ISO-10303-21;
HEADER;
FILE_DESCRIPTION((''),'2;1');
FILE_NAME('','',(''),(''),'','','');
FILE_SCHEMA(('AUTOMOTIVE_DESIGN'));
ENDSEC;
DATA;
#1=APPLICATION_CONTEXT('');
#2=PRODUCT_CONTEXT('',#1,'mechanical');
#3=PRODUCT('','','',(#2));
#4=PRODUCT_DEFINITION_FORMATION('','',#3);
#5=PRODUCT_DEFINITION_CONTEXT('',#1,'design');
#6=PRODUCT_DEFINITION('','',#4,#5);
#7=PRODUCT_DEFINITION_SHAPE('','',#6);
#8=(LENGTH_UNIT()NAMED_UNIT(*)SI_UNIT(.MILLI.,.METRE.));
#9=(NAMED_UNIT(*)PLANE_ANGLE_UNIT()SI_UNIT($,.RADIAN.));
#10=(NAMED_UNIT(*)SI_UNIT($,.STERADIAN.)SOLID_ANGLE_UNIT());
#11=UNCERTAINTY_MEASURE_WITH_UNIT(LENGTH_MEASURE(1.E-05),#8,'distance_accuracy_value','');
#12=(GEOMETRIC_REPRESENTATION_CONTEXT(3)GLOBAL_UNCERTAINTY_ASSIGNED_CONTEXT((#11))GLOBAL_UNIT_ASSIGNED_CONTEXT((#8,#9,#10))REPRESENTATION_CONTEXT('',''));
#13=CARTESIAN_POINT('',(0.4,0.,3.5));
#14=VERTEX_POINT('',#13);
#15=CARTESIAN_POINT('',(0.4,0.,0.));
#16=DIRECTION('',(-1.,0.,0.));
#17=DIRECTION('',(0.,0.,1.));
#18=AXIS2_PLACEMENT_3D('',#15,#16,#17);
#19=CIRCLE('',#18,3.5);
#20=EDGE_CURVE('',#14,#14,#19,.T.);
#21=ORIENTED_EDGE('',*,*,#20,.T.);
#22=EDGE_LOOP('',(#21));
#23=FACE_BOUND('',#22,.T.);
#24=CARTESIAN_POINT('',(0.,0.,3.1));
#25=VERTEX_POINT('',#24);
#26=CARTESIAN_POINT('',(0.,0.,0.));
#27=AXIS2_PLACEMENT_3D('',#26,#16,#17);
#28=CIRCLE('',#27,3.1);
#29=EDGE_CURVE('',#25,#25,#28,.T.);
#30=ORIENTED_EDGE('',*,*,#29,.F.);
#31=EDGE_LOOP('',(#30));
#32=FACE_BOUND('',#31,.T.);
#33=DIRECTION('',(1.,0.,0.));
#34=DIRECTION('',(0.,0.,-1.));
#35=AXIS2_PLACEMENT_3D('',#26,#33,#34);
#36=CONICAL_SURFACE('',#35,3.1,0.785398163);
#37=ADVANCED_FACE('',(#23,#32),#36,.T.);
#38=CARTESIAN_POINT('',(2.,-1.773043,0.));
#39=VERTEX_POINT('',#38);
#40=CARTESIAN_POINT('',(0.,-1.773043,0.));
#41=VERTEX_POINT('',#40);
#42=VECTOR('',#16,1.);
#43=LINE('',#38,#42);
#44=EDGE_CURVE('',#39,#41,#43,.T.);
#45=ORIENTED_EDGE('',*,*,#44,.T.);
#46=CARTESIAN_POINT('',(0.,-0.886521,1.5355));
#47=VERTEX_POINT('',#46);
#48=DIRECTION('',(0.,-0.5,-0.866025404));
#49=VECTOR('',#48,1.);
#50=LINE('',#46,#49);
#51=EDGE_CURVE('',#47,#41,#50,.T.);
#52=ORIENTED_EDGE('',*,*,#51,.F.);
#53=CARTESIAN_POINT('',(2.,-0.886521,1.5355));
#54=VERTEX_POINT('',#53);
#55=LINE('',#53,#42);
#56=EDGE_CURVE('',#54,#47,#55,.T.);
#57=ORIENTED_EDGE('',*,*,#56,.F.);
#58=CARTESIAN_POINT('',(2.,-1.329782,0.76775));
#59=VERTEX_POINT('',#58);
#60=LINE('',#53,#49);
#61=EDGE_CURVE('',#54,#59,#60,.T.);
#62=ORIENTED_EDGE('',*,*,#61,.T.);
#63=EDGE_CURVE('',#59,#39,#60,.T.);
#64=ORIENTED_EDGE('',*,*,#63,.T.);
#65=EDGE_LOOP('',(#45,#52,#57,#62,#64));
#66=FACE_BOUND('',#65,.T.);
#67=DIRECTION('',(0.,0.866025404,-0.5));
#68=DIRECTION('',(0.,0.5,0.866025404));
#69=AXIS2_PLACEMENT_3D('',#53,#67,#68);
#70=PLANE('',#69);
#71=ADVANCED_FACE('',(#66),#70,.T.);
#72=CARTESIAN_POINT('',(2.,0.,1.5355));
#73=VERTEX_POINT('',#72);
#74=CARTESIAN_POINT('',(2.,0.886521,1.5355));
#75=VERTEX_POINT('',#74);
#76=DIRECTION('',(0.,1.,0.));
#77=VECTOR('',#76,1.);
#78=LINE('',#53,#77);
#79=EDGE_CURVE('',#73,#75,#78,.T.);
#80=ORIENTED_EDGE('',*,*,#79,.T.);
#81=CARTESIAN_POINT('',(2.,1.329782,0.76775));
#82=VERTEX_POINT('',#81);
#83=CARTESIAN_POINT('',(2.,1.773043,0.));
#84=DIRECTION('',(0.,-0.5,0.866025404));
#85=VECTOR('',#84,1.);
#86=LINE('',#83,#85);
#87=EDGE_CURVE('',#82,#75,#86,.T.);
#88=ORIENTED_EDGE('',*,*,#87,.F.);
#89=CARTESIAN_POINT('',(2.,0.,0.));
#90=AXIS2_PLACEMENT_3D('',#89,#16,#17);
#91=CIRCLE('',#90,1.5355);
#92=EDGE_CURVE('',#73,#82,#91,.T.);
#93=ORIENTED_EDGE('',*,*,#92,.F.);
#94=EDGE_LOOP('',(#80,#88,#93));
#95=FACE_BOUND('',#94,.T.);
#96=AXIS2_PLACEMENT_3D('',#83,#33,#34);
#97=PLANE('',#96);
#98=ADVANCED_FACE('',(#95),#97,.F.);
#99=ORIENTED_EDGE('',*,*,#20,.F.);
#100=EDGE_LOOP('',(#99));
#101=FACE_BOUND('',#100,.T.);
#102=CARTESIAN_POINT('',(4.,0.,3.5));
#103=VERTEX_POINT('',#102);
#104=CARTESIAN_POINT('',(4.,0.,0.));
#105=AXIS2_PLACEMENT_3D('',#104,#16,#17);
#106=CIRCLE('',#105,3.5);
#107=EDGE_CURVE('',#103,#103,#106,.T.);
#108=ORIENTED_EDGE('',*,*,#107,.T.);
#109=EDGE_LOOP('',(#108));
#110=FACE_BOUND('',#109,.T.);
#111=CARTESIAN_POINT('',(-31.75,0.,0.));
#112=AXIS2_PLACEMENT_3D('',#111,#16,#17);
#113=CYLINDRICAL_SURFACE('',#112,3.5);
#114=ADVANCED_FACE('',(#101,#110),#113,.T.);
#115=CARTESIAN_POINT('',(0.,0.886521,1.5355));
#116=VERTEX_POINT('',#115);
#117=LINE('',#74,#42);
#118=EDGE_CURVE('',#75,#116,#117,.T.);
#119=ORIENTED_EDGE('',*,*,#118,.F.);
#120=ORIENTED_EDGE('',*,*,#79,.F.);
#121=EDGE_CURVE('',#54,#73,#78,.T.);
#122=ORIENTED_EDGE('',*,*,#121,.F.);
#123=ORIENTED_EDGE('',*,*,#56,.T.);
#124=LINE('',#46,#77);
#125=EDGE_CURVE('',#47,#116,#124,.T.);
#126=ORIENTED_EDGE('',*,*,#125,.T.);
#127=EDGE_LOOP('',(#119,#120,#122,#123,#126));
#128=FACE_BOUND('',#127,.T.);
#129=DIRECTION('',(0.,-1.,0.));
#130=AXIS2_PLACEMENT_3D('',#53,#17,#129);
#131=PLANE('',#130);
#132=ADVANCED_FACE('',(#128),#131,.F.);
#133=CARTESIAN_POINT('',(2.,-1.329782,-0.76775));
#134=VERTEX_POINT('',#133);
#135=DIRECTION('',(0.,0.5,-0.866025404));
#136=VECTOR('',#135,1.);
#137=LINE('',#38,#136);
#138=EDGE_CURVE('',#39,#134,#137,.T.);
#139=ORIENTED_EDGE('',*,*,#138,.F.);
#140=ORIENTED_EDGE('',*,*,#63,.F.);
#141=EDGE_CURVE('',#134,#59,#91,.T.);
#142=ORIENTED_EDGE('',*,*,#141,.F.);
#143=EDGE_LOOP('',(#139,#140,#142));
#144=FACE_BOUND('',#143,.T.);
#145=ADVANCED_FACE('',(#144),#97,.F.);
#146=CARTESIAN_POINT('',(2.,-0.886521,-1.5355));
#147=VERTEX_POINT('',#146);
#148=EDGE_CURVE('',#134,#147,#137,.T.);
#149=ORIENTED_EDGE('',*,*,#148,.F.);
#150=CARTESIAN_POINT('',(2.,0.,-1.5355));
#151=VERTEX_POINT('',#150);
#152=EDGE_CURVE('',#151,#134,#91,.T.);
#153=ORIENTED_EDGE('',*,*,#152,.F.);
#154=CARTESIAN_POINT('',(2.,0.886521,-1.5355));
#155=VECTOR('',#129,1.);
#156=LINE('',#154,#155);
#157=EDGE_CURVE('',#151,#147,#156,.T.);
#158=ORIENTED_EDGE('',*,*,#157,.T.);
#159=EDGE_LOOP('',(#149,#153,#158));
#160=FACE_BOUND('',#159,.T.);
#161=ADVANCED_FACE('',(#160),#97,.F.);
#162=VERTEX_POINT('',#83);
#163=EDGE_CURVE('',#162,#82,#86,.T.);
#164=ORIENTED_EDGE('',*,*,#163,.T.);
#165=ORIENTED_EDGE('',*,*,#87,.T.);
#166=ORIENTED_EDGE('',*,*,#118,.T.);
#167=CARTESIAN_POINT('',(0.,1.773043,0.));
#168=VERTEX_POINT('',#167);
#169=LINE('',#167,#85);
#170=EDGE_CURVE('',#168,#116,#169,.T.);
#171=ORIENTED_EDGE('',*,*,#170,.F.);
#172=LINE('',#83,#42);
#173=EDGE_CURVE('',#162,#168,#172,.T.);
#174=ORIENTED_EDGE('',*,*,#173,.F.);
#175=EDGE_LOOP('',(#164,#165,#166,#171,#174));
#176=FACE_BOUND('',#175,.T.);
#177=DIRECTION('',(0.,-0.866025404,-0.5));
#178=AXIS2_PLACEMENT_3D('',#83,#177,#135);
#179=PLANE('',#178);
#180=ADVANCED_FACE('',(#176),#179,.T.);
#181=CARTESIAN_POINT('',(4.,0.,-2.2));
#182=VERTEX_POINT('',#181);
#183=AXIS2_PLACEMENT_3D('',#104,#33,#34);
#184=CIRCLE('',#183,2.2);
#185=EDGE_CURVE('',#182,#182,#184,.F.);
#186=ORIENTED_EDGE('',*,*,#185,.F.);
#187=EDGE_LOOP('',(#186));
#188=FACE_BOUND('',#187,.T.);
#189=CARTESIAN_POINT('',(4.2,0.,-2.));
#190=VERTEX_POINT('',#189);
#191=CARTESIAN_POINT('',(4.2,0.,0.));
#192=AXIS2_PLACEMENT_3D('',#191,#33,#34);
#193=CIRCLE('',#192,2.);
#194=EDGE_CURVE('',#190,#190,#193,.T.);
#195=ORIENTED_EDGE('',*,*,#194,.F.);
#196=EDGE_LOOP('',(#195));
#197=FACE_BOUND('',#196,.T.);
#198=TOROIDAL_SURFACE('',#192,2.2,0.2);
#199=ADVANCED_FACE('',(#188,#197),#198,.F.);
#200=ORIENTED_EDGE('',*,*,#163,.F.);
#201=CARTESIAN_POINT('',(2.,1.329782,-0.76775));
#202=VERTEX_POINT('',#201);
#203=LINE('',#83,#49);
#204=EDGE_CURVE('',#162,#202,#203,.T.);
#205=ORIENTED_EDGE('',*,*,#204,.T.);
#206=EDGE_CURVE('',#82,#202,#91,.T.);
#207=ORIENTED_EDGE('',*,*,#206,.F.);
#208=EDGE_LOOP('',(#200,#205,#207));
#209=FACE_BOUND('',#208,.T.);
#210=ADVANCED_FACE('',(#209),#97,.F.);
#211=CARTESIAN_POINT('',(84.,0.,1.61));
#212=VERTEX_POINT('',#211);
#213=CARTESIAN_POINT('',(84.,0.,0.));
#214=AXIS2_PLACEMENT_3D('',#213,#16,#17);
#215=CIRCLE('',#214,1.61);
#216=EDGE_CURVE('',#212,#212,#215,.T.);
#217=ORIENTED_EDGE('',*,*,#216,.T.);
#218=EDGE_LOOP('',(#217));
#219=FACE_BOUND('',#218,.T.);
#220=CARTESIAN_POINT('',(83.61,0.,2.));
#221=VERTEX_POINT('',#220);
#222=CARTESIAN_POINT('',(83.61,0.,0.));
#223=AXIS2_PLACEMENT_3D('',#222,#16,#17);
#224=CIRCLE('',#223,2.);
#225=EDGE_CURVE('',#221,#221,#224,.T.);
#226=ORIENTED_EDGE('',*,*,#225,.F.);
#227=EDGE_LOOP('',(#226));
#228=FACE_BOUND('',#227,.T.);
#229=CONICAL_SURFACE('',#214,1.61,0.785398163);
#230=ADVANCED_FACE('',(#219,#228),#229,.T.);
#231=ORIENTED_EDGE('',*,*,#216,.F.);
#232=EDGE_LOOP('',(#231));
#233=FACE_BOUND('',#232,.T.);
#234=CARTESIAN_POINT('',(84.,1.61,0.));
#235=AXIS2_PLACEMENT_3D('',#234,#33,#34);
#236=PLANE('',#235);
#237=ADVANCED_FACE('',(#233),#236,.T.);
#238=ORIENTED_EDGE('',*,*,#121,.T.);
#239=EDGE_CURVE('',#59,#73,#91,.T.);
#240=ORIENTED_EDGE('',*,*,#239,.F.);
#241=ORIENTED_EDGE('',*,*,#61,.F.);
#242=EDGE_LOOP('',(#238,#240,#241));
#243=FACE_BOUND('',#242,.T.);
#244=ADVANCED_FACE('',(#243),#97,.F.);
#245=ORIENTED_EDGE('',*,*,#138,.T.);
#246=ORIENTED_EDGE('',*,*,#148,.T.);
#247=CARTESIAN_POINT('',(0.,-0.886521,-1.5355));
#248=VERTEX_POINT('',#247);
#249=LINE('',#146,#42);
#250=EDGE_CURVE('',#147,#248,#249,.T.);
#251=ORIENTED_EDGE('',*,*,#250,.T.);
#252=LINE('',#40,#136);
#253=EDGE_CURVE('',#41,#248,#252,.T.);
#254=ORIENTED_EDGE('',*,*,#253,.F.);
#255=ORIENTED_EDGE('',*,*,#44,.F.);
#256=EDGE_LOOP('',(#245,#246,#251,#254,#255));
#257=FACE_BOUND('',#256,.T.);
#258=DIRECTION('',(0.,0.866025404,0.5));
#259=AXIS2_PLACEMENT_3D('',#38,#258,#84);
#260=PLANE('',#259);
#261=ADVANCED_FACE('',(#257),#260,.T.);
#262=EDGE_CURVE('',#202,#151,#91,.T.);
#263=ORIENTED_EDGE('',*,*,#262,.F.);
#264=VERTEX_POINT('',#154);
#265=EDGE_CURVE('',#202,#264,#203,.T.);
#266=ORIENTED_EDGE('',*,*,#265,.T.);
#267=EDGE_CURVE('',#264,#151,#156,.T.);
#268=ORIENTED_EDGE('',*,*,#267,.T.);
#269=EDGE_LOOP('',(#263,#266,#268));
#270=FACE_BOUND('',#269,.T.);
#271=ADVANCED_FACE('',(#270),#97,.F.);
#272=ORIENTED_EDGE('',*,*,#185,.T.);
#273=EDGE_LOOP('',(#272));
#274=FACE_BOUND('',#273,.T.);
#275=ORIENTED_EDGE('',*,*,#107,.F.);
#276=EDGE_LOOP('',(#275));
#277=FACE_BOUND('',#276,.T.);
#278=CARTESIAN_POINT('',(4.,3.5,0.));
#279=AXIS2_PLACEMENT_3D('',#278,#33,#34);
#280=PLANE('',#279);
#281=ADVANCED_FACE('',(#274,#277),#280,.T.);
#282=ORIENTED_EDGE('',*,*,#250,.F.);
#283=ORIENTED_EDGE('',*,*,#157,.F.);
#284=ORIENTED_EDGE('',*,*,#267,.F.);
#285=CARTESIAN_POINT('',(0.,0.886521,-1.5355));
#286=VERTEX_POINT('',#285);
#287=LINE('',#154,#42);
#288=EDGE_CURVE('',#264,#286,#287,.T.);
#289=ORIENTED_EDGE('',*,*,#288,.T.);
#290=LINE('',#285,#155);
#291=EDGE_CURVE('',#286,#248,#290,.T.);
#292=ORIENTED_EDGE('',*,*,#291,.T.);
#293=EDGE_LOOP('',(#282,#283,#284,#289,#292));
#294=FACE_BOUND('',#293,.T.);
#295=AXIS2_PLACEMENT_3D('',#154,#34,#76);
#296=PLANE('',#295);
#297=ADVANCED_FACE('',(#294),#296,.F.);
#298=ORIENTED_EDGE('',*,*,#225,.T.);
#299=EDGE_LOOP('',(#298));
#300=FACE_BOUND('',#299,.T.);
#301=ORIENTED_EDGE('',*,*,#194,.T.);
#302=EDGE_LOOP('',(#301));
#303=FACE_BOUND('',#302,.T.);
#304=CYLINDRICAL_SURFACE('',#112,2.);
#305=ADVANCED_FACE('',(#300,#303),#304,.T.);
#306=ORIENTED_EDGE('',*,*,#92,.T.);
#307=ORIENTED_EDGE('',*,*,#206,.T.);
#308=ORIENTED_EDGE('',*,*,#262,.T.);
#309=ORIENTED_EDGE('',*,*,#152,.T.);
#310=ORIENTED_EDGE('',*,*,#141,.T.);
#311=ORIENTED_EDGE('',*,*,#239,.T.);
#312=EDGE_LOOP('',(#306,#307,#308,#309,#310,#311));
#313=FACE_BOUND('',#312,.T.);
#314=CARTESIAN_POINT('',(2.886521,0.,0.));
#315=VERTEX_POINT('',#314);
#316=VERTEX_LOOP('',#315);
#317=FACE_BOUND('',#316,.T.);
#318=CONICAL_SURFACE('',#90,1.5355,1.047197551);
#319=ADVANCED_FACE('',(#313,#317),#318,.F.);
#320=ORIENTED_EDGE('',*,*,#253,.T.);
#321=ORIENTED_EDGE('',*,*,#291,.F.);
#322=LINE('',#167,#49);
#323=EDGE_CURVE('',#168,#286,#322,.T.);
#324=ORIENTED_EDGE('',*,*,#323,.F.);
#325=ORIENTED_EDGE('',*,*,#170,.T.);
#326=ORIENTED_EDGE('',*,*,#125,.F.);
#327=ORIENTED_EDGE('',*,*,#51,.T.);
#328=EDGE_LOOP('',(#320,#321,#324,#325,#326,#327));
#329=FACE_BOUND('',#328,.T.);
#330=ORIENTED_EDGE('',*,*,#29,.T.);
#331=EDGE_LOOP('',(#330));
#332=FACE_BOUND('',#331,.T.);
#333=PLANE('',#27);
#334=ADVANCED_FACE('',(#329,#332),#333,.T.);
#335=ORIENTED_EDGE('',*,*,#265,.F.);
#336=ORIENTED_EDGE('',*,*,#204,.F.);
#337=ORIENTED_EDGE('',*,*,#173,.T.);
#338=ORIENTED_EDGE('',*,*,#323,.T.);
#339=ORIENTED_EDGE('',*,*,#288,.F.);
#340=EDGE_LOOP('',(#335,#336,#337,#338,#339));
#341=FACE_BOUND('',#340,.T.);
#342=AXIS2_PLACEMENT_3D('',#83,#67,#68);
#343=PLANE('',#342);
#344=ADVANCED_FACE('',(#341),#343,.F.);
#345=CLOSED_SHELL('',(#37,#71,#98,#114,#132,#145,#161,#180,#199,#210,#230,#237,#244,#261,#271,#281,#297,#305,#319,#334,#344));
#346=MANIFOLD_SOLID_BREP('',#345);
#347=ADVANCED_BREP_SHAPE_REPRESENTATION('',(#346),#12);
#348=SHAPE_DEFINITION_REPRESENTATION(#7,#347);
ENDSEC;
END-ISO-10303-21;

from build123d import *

# Parameters (mm, degrees)
FILLET1_R   = 0.2
HEX_2_DEPTH = 2


with BuildPart() as part:
    # BodySke → Base-Revolve (revolve)
    with BuildSketch(Plane.XY, mode=Mode.PRIVATE) as base_revolve_sk:
        Polygon((0, 0), (0, 3.1), (0.4, 3.5), (4, 3.5), (4, 2), (83.61, 2), (84, 1.61), (84, 0), align=None)
    revolve(base_revolve_sk.sketch.rotate(Axis((-31.75, 0, 0), (1, 0, 0)), 90), axis=Axis((-31.75, 0, 0), (1, 0, 0)))

    # Fillet1
    fillet1_edges = [part.edges().sort_by_distance(p)[0] for p in [
        (4, 0, -2),
    ]]
    fillet(fillet1_edges, radius=FILLET1_R)

    # Sketch2 → Hex-PreBroach (revolve, cut)
    with BuildSketch(Plane.XY, mode=Mode.PRIVATE) as hex_prebroach_sk:
        Polygon((0, 1.5355), (2, 1.5355), (2.886521338, 0), (0, 0), align=None)
    revolve(hex_prebroach_sk.sketch.rotate(Axis((0, 0, 0), (1, 0, 0)), 90), axis=Axis((0, 0, 0), (1, 0, 0)), mode=Mode.SUBTRACT)

    # Sketch3 → Hex 2 (cut)
    with BuildSketch(Plane(origin=(0, 0, 0), x_dir=(0, 0.500000000000001, 0.866025403784438), z_dir=(-1, 0, 0))):
        Polygon((0.886521338, 1.5355), (-0.886521338, 1.5355), (-1.773042677, 0), (-0.886521338, -1.5355), (0.886521338, -1.5355), (1.773042677, 0), align=None)
    extrude(amount=-HEX_2_DEPTH, mode=Mode.SUBTRACT)


solid = part.part
